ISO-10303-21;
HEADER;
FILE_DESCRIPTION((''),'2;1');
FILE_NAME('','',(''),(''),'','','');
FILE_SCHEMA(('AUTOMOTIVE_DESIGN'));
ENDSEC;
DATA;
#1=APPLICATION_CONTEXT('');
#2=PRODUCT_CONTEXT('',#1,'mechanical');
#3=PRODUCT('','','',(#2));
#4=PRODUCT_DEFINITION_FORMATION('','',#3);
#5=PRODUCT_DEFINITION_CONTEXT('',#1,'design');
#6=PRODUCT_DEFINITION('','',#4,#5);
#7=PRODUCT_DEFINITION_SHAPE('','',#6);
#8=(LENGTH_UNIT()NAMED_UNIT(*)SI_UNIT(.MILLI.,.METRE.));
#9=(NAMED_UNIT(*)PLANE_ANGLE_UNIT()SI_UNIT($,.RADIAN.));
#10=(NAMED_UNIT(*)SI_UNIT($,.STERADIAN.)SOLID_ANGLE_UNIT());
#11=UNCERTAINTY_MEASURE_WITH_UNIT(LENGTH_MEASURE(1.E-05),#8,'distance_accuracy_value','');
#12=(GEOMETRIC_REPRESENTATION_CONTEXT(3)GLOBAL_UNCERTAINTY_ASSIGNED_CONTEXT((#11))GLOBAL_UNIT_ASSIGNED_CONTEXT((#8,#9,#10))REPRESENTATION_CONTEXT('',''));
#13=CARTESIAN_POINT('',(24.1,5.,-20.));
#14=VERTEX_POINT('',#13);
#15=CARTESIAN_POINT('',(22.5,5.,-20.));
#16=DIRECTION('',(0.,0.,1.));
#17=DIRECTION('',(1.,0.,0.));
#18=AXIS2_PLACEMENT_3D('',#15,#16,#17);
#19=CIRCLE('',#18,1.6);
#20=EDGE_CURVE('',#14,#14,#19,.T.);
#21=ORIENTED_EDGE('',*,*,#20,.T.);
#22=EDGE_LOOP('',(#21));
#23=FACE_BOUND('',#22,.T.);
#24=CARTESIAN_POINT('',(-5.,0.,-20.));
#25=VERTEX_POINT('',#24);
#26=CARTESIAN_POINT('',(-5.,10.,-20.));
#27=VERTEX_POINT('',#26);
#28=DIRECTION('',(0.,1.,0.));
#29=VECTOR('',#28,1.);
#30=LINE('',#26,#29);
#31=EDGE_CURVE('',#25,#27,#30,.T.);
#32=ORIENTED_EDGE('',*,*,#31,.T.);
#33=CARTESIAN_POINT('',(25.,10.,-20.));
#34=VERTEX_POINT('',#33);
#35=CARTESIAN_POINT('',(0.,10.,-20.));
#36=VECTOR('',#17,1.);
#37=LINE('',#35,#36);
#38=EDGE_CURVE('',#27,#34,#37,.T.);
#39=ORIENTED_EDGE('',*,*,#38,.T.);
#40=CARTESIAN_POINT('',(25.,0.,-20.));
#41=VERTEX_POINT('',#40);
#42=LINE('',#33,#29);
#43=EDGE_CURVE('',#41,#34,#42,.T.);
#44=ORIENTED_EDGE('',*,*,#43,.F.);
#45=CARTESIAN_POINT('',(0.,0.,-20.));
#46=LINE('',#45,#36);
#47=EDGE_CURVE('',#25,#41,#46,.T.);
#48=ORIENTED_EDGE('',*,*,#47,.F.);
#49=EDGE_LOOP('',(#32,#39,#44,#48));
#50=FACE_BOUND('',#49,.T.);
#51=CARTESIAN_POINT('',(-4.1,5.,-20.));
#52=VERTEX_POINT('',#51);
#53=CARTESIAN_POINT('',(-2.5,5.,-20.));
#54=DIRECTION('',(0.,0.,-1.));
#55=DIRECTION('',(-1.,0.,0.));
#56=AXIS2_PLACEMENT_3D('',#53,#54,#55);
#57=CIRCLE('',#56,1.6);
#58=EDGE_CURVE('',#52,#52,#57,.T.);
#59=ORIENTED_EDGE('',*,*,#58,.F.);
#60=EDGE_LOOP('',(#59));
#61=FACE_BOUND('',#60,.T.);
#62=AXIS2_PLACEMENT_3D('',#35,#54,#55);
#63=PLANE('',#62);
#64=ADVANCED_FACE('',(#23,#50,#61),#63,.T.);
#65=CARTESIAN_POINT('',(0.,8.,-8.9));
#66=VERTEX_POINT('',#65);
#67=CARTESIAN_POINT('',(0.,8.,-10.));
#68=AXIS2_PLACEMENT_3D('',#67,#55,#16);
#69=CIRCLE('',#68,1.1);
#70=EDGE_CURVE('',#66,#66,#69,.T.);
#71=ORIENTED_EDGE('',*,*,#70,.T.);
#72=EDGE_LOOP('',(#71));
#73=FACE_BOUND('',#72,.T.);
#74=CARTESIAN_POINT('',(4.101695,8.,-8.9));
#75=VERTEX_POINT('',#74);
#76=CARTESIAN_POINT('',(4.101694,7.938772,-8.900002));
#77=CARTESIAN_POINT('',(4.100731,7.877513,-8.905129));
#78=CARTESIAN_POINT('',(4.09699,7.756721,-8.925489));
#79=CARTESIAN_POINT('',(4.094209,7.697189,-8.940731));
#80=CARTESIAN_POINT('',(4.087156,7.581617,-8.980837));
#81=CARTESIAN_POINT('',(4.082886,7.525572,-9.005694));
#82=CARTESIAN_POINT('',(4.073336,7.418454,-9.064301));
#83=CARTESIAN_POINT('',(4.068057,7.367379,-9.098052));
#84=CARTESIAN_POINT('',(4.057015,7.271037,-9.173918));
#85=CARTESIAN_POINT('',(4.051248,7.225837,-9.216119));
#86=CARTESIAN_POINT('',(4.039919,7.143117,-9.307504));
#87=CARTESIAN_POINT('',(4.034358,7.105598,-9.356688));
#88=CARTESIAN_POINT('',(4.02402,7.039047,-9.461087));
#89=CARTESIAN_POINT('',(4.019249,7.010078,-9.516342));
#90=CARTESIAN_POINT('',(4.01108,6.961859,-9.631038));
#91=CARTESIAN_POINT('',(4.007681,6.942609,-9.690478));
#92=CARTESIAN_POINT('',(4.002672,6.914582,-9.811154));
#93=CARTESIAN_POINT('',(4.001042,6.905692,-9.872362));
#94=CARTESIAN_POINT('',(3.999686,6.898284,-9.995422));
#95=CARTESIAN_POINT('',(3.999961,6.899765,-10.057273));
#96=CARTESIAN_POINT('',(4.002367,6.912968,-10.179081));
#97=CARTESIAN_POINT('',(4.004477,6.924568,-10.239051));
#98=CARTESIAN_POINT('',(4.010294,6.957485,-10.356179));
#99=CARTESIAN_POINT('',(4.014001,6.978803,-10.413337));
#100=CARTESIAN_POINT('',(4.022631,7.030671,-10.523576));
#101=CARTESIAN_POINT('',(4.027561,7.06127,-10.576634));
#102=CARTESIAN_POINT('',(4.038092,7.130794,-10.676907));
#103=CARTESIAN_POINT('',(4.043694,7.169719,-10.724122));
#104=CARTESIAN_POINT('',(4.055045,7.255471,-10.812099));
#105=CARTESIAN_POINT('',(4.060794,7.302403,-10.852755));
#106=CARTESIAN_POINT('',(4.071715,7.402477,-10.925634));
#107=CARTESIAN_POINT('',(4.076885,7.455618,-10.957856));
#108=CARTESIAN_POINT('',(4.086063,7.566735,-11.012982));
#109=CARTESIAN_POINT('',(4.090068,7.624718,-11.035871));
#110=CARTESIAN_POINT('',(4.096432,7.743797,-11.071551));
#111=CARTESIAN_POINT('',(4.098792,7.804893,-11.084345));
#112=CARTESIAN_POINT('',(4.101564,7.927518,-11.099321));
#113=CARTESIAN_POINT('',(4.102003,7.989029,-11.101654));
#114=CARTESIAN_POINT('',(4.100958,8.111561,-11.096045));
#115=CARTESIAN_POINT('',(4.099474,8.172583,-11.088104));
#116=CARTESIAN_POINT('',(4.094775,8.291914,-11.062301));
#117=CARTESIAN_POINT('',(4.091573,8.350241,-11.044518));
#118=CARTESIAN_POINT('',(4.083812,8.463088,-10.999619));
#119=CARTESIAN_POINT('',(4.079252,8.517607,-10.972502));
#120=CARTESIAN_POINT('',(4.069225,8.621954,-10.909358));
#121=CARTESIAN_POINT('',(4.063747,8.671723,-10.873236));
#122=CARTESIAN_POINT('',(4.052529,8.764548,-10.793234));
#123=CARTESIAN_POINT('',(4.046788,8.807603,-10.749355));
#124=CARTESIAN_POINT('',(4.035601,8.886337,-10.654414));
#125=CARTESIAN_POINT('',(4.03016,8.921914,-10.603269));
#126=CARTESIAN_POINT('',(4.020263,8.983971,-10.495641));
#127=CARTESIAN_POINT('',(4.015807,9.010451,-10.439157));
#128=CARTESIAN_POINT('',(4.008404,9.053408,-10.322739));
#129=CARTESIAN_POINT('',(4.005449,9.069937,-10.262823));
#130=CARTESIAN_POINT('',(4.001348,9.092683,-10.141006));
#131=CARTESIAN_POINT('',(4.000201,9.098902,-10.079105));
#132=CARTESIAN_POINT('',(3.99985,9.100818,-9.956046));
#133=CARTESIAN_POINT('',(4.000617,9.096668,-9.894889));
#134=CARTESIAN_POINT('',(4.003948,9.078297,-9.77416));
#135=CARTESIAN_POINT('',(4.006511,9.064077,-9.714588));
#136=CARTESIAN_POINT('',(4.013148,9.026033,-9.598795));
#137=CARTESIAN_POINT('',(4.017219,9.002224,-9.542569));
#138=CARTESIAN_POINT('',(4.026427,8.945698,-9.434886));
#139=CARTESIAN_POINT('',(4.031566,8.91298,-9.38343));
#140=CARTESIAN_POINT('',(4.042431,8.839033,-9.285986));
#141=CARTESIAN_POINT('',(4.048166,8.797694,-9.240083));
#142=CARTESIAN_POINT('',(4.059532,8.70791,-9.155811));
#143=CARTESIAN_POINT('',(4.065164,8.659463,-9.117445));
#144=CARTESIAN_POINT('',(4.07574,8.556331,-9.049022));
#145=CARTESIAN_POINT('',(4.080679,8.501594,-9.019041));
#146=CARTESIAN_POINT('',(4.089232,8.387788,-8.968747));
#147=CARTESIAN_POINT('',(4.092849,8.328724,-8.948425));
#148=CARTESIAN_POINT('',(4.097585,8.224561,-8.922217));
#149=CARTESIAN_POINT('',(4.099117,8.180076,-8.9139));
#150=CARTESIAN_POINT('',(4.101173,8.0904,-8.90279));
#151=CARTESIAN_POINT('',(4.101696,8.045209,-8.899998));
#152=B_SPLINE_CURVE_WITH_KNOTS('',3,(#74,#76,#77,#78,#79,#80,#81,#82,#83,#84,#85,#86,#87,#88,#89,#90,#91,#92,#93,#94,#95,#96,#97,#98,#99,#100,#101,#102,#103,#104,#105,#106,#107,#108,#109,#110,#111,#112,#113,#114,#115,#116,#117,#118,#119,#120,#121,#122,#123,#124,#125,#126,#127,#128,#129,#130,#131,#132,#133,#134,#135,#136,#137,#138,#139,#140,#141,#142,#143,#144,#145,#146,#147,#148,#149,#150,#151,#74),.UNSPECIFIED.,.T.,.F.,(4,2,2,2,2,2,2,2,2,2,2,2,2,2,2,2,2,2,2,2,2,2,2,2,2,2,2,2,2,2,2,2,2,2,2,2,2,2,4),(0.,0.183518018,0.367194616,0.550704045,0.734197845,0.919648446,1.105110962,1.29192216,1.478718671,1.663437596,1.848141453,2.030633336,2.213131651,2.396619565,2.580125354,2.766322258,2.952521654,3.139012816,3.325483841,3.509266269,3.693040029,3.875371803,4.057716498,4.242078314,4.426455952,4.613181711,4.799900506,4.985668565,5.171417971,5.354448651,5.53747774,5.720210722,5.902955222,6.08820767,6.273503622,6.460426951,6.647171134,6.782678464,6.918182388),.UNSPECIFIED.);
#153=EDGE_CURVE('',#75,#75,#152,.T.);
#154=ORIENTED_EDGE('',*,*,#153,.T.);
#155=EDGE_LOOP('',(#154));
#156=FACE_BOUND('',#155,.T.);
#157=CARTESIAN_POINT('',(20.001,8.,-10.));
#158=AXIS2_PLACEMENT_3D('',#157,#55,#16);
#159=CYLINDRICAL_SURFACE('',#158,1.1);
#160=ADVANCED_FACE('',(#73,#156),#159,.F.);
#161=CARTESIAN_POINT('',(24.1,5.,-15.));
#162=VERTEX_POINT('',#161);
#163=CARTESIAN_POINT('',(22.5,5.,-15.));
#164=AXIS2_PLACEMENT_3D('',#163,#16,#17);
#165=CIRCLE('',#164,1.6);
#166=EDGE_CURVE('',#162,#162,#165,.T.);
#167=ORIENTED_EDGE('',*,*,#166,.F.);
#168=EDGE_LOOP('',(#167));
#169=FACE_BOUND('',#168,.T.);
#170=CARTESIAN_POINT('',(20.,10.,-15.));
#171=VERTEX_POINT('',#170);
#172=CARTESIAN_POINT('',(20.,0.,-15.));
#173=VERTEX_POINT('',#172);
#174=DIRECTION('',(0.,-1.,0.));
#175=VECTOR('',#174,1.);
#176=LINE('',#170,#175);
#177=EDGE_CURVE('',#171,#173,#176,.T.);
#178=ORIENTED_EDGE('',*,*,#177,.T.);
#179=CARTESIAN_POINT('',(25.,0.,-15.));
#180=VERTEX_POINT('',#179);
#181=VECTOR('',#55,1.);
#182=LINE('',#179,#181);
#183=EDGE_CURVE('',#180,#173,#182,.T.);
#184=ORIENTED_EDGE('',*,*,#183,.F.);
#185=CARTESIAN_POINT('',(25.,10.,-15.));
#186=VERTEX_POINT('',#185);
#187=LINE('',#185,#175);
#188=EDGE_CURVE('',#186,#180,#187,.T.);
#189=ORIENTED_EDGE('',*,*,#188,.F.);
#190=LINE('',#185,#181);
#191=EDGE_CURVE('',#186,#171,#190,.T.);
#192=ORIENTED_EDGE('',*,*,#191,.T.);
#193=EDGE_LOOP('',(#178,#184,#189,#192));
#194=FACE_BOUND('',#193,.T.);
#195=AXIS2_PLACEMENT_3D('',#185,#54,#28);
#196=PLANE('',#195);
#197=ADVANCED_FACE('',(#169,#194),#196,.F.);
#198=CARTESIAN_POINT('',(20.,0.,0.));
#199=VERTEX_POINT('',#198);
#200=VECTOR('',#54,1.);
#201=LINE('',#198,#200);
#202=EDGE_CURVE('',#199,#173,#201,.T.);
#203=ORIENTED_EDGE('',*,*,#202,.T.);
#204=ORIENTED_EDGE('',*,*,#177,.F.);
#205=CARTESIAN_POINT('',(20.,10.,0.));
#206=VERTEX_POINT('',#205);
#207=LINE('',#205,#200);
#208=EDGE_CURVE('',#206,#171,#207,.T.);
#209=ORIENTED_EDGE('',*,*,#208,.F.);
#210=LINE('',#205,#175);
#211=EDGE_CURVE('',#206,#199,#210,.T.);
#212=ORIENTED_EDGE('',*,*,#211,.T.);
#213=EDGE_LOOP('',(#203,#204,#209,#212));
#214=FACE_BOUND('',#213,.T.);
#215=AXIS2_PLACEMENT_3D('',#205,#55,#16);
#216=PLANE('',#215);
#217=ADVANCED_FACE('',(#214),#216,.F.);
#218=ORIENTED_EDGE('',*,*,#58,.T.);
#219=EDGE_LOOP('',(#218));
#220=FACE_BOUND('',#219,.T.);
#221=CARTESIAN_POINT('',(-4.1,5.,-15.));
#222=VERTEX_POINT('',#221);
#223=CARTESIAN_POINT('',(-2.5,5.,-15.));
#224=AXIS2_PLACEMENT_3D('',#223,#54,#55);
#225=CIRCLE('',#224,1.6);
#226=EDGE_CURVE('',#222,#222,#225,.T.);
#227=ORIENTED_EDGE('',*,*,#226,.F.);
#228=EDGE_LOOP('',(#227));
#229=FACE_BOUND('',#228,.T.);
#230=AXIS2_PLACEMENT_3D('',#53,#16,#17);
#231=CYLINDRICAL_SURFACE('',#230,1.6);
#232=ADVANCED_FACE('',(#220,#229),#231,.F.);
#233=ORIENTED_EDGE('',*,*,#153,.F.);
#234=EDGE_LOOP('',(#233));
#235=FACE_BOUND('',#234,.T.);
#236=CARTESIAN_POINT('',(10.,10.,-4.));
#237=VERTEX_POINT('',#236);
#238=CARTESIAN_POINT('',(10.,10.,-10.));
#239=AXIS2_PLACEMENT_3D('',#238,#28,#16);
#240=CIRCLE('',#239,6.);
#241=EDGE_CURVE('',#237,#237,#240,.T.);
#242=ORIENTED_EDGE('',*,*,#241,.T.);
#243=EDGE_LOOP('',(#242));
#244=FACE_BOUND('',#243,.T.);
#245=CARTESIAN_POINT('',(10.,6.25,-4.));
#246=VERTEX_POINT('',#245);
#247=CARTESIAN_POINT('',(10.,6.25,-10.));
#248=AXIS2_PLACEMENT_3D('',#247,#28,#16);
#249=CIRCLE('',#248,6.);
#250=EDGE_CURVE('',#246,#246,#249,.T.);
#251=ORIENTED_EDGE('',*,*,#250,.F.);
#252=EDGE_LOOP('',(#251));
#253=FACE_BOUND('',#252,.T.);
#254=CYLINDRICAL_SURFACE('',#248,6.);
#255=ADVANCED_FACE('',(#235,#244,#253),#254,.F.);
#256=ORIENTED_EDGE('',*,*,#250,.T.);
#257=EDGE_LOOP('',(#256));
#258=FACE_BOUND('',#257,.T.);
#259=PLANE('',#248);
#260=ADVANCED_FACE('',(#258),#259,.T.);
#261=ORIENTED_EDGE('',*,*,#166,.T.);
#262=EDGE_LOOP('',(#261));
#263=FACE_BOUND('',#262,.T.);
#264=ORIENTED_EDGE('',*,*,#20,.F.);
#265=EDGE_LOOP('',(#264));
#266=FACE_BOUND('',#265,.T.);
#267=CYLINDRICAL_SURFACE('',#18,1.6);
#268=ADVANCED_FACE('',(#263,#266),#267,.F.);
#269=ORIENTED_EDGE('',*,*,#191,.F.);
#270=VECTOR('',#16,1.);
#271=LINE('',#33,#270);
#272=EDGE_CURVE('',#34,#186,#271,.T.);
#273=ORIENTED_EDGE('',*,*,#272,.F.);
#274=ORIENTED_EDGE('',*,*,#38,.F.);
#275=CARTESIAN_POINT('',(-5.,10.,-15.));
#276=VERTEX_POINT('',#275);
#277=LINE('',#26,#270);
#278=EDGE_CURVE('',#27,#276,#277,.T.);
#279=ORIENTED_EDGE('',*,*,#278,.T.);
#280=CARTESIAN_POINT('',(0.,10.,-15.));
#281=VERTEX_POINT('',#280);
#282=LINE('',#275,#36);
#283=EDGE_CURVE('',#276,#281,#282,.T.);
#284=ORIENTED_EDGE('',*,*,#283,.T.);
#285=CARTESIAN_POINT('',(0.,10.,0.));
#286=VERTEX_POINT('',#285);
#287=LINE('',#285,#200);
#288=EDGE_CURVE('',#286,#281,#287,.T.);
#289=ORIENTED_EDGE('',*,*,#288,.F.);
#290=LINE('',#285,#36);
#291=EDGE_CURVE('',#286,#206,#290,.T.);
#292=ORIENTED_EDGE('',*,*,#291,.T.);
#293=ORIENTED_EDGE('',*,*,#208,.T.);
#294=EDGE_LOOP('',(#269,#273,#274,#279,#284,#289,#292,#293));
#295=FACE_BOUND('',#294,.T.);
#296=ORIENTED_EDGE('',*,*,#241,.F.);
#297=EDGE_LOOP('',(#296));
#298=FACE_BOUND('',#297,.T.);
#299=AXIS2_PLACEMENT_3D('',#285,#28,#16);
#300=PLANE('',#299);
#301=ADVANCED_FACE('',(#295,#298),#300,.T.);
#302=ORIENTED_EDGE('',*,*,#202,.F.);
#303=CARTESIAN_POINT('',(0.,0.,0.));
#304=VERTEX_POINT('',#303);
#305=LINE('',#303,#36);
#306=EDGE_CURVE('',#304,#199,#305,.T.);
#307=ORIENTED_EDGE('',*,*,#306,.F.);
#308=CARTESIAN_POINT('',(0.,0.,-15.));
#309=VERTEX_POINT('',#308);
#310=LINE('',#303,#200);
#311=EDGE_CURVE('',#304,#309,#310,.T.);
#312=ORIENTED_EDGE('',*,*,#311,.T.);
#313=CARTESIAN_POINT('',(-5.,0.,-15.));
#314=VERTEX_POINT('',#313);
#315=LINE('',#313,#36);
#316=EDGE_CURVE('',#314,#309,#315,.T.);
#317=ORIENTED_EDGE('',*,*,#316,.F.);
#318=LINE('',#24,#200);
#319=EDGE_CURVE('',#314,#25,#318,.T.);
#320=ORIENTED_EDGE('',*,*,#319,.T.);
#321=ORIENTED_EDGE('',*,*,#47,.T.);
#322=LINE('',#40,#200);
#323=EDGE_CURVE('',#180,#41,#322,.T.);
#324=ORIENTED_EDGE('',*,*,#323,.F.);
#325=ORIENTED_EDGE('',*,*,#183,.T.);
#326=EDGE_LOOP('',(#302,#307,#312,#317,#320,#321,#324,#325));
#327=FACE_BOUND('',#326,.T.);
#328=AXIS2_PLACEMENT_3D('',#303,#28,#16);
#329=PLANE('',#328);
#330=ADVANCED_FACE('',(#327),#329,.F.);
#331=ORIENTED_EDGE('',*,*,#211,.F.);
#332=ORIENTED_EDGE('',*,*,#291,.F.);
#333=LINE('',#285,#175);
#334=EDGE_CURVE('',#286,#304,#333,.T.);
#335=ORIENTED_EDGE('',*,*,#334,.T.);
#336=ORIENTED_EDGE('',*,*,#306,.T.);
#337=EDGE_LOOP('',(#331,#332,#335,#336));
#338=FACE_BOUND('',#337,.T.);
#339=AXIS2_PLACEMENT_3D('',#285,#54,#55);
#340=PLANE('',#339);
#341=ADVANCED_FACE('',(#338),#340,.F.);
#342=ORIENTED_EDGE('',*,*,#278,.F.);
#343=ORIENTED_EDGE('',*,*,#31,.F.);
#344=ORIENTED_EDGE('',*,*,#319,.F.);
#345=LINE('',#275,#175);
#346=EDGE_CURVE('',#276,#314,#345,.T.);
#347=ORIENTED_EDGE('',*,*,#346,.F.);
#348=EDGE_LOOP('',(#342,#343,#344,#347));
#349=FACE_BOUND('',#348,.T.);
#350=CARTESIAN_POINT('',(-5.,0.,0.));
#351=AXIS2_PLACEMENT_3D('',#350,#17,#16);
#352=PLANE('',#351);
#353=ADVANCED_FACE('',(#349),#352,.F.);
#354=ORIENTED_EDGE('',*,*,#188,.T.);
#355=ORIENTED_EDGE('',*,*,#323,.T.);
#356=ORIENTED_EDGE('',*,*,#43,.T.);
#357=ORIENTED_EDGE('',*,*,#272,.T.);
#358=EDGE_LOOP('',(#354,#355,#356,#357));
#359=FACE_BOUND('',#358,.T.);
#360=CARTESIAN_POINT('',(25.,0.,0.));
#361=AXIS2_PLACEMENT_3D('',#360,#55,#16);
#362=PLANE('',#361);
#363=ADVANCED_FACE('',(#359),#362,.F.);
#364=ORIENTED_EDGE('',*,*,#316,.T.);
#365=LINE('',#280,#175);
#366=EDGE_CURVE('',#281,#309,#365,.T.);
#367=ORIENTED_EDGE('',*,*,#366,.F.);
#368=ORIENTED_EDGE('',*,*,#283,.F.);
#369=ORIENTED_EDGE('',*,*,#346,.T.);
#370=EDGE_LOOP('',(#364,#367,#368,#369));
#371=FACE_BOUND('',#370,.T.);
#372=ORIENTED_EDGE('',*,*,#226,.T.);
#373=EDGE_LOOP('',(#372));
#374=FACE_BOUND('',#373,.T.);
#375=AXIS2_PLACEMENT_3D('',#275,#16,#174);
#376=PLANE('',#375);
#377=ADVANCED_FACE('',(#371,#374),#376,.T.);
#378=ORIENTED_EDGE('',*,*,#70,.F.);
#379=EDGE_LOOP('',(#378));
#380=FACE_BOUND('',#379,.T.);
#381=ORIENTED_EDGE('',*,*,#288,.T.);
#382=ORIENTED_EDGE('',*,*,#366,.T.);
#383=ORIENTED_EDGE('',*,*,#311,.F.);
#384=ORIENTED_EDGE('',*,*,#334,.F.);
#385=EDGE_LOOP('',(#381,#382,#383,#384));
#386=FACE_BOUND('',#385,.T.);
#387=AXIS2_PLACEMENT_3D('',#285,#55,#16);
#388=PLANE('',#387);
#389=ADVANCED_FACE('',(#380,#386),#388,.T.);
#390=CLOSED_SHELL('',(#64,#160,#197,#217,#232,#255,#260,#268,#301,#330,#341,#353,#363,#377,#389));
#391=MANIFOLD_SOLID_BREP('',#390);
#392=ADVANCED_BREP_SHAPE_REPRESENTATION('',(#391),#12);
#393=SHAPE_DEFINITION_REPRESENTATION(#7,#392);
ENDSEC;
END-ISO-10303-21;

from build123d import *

# Parameters (mm, degrees)
SKETCH1_W           = 20
SKETCH1_H           = 20
BOSS_EXTRUDE1_DEPTH = 10
SKETCH2_R           = 6
CUT_EXTRUDE1_DEPTH  = 3.75
CUT_EXTRUDE3_REACH  = 22
SKETCH5_R           = 1.1
SKETCH6_W           = 5
SKETCH6_H           = 10
BOSS_EXTRUDE2_DEPTH = 5
SKETCH7_R           = 1.6
CUT_EXTRUDE4_DEPTH  = 6


with BuildPart() as part:
    # Sketch1 → Boss-Extrude1 (new body)
    with BuildSketch(Plane(origin=(0, 0, 0), x_dir=(1, 0, 0), z_dir=(0, 1, 0))):
        with Locations((10, 10)):
            Rectangle(SKETCH1_W, SKETCH1_H)
    extrude(amount=BOSS_EXTRUDE1_DEPTH)

    # Sketch2 → Cut-Extrude1 (cut)
    with BuildSketch(Plane(origin=(0, 10, 0), x_dir=(1, 0, 0), z_dir=(0, 1, 0))):
        with Locations((10, 10)):
            Circle(SKETCH2_R)
    extrude(amount=-CUT_EXTRUDE1_DEPTH, mode=Mode.SUBTRACT)

    # Sketch5 → Cut-Extrude3 (cut, up to next)
    with BuildSketch(Plane.ZY, mode=Mode.PRIVATE) as cut_extrude3_sk1:
        with Locations((-10, 8)):
            Circle(SKETCH5_R)
    cut_extrude3_tool1 = extrude(cut_extrude3_sk1.sketch, amount=-CUT_EXTRUDE3_REACH, mode=Mode.PRIVATE) & part.part
    add(cut_extrude3_tool1.solids().sort_by_distance((0, 8, -10))[0], mode=Mode.SUBTRACT)

    # Sketch6 → Boss-Extrude2 (add)
    with BuildSketch(Plane(origin=(20, 0, 0), x_dir=(0, 0, -1), z_dir=(1, 0, 0))):
        with Locations((17.5, 5)):
            Rectangle(SKETCH6_W, SKETCH6_H)
    boss_extrude2 = extrude(amount=BOSS_EXTRUDE2_DEPTH)

    # Sketch7 → Cut-Extrude4 (cut, through all)
    with BuildSketch(Plane.XY.offset(-15)):
        with Locations((22.5, 5)):
            Circle(SKETCH7_R)
    cut_extrude4 = extrude(amount=-CUT_EXTRUDE4_DEPTH, mode=Mode.SUBTRACT)

    # Mirror1: Boss-Extrude2, Cut-Extrude4 across plane
    add(boss_extrude2.mirror(Plane.ZY.offset(-10)))
    add(cut_extrude4.mirror(Plane.ZY.offset(-10)), mode=Mode.SUBTRACT)


solid = part.part
